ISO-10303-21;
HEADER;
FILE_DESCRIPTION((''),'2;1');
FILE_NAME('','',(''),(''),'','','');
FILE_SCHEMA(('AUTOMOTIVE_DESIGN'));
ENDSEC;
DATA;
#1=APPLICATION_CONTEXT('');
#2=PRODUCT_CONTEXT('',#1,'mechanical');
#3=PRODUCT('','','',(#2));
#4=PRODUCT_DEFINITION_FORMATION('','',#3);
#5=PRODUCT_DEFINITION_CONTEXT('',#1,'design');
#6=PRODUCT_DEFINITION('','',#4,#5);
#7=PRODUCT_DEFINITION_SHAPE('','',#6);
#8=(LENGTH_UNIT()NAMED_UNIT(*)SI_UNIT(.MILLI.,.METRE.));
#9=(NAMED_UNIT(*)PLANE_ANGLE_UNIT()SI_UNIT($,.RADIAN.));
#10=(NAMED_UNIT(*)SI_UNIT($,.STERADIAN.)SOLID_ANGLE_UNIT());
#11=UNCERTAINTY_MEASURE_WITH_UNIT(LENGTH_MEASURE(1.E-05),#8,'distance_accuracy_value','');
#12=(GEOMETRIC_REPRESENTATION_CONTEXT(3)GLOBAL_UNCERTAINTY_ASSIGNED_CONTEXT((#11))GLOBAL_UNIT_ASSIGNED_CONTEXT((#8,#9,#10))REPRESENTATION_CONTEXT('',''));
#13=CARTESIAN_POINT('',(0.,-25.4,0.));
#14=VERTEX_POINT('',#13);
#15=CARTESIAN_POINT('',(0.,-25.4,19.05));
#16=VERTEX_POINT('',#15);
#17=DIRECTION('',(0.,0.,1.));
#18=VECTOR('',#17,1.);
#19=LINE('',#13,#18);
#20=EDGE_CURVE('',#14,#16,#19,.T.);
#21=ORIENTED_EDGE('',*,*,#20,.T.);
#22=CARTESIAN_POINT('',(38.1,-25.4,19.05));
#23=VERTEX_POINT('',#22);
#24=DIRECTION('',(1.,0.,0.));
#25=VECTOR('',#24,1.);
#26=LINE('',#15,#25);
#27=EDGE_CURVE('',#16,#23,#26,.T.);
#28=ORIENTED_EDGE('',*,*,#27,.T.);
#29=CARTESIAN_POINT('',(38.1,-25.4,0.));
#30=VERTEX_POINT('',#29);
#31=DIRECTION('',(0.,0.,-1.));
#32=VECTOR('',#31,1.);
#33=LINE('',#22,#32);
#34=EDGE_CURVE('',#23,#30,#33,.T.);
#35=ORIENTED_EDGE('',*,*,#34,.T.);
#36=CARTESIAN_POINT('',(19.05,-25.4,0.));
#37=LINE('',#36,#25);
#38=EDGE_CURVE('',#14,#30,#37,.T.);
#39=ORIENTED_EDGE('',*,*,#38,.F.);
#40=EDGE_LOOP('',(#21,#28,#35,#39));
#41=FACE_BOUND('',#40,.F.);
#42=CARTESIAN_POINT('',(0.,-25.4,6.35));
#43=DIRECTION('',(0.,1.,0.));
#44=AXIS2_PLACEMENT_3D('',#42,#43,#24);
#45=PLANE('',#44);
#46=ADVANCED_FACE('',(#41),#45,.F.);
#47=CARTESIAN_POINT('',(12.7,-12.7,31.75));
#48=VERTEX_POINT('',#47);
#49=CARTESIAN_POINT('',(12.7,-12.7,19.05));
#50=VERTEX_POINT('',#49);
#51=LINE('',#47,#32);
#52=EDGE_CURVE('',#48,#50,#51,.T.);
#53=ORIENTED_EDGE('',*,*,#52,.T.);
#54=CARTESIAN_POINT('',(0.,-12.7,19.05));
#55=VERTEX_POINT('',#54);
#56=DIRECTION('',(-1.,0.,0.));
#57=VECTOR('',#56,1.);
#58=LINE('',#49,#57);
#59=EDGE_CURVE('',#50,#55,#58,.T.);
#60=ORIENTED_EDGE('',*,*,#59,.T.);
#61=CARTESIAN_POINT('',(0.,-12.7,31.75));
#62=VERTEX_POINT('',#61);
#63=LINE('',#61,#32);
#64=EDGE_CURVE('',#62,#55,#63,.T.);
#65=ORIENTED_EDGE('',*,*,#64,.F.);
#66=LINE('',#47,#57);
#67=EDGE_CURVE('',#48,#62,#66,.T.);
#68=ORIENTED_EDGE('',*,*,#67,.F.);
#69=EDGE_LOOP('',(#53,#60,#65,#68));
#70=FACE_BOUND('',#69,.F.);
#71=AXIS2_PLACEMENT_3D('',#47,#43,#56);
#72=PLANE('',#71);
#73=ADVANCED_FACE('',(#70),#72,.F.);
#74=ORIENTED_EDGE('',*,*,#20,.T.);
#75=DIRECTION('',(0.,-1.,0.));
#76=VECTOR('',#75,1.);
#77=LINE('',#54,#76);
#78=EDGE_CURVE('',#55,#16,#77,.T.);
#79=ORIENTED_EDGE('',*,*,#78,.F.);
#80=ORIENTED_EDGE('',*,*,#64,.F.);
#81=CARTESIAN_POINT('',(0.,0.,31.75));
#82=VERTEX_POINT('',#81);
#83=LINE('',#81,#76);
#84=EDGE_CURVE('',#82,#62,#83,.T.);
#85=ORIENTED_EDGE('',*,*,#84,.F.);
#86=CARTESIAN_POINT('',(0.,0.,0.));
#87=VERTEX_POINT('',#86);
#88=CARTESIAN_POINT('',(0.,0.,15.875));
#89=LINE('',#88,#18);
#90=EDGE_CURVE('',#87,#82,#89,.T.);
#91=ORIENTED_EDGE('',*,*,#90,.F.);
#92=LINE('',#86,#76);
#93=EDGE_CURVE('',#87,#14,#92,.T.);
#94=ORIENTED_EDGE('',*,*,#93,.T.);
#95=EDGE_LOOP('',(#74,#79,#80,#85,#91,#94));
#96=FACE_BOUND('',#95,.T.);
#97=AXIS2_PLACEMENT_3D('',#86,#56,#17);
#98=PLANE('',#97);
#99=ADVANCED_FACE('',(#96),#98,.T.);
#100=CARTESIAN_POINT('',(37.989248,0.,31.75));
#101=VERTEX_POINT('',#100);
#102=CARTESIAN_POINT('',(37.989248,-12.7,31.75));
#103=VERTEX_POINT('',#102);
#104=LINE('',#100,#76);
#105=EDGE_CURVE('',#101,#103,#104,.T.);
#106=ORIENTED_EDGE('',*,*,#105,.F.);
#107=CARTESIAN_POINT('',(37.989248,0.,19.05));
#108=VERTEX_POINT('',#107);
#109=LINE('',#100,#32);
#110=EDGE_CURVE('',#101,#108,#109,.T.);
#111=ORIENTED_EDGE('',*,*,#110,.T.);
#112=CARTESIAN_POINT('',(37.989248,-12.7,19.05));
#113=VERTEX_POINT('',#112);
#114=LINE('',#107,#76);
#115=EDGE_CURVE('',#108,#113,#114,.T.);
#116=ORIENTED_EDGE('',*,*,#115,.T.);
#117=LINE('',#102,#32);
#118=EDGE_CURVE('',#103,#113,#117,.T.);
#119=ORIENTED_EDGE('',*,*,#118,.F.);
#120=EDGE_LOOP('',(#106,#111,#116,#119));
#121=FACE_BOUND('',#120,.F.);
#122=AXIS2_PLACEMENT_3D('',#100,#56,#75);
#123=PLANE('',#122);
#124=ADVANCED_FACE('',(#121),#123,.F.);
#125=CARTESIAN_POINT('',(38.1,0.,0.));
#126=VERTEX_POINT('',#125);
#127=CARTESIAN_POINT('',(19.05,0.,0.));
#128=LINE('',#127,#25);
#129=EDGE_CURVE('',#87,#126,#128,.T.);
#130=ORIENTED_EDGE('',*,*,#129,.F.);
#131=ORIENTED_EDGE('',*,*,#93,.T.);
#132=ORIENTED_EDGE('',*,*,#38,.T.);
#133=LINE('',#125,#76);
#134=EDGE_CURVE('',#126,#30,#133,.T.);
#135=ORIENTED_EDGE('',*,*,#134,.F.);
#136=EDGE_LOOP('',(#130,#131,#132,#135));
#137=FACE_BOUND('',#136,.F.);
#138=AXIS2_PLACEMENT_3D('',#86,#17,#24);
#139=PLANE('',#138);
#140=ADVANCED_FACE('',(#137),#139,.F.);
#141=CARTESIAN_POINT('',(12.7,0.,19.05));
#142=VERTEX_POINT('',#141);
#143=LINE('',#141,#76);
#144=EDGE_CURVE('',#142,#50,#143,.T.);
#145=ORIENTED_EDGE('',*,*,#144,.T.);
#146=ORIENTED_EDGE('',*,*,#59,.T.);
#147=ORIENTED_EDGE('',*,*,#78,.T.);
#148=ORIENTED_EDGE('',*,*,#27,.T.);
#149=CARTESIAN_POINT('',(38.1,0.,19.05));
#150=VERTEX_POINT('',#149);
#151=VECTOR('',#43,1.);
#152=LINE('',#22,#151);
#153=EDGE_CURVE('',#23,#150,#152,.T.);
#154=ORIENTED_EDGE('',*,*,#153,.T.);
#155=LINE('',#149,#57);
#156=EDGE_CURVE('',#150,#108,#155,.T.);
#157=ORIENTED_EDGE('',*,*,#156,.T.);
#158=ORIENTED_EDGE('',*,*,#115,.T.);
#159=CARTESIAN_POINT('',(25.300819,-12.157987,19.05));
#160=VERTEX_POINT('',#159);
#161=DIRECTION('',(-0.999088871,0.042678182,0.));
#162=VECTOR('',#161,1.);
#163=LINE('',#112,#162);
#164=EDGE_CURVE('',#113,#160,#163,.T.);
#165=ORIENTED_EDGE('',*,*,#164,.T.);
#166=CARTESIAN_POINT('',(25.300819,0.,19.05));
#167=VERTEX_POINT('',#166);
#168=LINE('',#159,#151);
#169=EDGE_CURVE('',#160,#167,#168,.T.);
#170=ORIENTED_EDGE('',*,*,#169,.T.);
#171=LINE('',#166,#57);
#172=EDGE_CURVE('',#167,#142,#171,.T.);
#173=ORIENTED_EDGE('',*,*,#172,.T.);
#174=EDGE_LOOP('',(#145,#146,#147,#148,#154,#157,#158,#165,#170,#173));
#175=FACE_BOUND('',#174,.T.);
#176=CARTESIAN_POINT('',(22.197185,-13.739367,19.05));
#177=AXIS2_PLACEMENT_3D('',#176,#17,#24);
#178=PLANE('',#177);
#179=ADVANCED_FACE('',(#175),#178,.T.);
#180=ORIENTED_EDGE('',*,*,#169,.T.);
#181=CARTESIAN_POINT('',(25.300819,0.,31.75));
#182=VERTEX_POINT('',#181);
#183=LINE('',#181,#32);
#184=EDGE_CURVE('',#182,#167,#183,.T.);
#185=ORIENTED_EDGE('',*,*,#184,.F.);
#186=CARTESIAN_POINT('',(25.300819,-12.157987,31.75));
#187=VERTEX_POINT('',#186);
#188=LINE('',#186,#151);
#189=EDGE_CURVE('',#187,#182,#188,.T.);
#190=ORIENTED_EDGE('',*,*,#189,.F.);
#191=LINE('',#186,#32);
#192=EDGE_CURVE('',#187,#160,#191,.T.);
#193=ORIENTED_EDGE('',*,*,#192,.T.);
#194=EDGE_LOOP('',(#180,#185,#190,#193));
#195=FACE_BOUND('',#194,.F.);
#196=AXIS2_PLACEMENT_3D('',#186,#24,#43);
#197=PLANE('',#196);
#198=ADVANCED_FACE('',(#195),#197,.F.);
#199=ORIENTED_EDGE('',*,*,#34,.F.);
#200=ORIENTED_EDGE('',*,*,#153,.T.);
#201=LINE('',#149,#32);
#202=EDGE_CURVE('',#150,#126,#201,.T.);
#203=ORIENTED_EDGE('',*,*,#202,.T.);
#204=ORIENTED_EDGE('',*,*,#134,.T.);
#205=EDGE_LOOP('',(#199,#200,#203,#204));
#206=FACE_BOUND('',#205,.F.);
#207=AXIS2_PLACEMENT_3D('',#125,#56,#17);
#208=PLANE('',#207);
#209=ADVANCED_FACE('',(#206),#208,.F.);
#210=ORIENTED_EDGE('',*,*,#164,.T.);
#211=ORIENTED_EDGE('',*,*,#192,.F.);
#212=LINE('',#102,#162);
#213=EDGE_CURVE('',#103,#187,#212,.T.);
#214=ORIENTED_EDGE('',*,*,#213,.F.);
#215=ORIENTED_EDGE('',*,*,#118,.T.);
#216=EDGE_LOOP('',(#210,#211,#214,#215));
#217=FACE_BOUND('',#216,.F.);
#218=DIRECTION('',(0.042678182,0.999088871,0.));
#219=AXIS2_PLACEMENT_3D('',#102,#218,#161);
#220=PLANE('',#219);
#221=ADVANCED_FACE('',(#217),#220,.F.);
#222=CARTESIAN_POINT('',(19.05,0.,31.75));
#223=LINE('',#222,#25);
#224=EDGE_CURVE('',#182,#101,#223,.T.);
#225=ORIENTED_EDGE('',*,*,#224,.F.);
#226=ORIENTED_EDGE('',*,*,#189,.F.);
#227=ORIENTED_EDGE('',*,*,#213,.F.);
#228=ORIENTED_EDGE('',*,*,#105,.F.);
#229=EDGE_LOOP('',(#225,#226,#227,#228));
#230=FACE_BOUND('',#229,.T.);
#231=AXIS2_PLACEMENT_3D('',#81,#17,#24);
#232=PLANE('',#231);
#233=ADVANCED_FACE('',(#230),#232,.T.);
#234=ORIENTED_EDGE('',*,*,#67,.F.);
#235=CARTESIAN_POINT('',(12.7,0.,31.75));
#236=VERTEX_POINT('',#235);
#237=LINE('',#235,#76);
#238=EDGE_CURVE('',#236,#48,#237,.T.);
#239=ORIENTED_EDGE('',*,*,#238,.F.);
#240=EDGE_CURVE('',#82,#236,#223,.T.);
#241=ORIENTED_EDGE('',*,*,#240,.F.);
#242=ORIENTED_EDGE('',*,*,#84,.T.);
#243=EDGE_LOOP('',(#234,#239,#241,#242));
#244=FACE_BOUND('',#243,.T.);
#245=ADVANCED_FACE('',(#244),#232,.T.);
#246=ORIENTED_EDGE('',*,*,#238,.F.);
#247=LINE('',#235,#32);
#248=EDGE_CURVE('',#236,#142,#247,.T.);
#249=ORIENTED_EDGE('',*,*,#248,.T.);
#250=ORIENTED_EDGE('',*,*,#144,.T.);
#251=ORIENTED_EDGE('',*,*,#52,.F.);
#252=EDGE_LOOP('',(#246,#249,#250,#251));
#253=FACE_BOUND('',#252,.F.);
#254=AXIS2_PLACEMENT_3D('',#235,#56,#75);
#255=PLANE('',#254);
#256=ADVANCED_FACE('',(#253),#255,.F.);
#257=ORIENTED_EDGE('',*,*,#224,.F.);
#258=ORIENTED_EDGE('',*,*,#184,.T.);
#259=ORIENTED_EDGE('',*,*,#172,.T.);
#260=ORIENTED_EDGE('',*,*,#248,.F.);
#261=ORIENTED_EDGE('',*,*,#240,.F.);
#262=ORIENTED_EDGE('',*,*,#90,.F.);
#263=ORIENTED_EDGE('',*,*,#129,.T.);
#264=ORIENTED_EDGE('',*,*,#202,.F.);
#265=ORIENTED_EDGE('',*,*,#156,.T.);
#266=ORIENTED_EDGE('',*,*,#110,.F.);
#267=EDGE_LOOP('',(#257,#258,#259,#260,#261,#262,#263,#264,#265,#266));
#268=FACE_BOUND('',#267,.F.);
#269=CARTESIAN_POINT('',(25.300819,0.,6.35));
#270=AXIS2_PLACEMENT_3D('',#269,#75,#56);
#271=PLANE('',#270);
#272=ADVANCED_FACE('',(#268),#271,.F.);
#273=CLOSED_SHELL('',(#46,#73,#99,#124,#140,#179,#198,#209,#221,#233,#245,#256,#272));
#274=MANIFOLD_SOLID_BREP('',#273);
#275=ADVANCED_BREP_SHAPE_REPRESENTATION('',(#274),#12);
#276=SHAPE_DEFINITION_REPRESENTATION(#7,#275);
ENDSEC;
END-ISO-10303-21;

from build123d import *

# Parameters (mm, degrees)
F0_W     = 38.1
F0_H     = 31.75
F1_DEPTH = 25.4
F4_DEPTH = 25.4
F5_DEPTH = 12.7


with BuildPart() as f1:
    # F0 (on Front) → F1 (new body)
    with BuildSketch(Plane.XZ):
        with Locations((19.05, 15.875)):
            Rectangle(F0_W, F0_H)
    extrude(amount=F1_DEPTH)

    # F3 (on face) → F4 (cut)
    with BuildSketch(Plane.XY.offset(31.75)):
        Polygon((37.9892475903, 0), (37.9892475903, -12.7), (25.3008189245, -12.1579870905), (25.3008189245, 0), (12.7, 0), (12.7, -12.7), (0, -12.7), (0, -25.4), (38.1, -25.4), (38.1, 0), align=None)
    extrude(amount=-F4_DEPTH, mode=Mode.SUBTRACT)

    # F5 (add): a face of the model
    f5_faces = [f1.faces().sort_by_distance(p)[0] for p in [
        (19.1345000359, -15.8550557875, 6.35),
    ]]
    extrude(f5_faces, amount=F5_DEPTH)


solid = f1.part
